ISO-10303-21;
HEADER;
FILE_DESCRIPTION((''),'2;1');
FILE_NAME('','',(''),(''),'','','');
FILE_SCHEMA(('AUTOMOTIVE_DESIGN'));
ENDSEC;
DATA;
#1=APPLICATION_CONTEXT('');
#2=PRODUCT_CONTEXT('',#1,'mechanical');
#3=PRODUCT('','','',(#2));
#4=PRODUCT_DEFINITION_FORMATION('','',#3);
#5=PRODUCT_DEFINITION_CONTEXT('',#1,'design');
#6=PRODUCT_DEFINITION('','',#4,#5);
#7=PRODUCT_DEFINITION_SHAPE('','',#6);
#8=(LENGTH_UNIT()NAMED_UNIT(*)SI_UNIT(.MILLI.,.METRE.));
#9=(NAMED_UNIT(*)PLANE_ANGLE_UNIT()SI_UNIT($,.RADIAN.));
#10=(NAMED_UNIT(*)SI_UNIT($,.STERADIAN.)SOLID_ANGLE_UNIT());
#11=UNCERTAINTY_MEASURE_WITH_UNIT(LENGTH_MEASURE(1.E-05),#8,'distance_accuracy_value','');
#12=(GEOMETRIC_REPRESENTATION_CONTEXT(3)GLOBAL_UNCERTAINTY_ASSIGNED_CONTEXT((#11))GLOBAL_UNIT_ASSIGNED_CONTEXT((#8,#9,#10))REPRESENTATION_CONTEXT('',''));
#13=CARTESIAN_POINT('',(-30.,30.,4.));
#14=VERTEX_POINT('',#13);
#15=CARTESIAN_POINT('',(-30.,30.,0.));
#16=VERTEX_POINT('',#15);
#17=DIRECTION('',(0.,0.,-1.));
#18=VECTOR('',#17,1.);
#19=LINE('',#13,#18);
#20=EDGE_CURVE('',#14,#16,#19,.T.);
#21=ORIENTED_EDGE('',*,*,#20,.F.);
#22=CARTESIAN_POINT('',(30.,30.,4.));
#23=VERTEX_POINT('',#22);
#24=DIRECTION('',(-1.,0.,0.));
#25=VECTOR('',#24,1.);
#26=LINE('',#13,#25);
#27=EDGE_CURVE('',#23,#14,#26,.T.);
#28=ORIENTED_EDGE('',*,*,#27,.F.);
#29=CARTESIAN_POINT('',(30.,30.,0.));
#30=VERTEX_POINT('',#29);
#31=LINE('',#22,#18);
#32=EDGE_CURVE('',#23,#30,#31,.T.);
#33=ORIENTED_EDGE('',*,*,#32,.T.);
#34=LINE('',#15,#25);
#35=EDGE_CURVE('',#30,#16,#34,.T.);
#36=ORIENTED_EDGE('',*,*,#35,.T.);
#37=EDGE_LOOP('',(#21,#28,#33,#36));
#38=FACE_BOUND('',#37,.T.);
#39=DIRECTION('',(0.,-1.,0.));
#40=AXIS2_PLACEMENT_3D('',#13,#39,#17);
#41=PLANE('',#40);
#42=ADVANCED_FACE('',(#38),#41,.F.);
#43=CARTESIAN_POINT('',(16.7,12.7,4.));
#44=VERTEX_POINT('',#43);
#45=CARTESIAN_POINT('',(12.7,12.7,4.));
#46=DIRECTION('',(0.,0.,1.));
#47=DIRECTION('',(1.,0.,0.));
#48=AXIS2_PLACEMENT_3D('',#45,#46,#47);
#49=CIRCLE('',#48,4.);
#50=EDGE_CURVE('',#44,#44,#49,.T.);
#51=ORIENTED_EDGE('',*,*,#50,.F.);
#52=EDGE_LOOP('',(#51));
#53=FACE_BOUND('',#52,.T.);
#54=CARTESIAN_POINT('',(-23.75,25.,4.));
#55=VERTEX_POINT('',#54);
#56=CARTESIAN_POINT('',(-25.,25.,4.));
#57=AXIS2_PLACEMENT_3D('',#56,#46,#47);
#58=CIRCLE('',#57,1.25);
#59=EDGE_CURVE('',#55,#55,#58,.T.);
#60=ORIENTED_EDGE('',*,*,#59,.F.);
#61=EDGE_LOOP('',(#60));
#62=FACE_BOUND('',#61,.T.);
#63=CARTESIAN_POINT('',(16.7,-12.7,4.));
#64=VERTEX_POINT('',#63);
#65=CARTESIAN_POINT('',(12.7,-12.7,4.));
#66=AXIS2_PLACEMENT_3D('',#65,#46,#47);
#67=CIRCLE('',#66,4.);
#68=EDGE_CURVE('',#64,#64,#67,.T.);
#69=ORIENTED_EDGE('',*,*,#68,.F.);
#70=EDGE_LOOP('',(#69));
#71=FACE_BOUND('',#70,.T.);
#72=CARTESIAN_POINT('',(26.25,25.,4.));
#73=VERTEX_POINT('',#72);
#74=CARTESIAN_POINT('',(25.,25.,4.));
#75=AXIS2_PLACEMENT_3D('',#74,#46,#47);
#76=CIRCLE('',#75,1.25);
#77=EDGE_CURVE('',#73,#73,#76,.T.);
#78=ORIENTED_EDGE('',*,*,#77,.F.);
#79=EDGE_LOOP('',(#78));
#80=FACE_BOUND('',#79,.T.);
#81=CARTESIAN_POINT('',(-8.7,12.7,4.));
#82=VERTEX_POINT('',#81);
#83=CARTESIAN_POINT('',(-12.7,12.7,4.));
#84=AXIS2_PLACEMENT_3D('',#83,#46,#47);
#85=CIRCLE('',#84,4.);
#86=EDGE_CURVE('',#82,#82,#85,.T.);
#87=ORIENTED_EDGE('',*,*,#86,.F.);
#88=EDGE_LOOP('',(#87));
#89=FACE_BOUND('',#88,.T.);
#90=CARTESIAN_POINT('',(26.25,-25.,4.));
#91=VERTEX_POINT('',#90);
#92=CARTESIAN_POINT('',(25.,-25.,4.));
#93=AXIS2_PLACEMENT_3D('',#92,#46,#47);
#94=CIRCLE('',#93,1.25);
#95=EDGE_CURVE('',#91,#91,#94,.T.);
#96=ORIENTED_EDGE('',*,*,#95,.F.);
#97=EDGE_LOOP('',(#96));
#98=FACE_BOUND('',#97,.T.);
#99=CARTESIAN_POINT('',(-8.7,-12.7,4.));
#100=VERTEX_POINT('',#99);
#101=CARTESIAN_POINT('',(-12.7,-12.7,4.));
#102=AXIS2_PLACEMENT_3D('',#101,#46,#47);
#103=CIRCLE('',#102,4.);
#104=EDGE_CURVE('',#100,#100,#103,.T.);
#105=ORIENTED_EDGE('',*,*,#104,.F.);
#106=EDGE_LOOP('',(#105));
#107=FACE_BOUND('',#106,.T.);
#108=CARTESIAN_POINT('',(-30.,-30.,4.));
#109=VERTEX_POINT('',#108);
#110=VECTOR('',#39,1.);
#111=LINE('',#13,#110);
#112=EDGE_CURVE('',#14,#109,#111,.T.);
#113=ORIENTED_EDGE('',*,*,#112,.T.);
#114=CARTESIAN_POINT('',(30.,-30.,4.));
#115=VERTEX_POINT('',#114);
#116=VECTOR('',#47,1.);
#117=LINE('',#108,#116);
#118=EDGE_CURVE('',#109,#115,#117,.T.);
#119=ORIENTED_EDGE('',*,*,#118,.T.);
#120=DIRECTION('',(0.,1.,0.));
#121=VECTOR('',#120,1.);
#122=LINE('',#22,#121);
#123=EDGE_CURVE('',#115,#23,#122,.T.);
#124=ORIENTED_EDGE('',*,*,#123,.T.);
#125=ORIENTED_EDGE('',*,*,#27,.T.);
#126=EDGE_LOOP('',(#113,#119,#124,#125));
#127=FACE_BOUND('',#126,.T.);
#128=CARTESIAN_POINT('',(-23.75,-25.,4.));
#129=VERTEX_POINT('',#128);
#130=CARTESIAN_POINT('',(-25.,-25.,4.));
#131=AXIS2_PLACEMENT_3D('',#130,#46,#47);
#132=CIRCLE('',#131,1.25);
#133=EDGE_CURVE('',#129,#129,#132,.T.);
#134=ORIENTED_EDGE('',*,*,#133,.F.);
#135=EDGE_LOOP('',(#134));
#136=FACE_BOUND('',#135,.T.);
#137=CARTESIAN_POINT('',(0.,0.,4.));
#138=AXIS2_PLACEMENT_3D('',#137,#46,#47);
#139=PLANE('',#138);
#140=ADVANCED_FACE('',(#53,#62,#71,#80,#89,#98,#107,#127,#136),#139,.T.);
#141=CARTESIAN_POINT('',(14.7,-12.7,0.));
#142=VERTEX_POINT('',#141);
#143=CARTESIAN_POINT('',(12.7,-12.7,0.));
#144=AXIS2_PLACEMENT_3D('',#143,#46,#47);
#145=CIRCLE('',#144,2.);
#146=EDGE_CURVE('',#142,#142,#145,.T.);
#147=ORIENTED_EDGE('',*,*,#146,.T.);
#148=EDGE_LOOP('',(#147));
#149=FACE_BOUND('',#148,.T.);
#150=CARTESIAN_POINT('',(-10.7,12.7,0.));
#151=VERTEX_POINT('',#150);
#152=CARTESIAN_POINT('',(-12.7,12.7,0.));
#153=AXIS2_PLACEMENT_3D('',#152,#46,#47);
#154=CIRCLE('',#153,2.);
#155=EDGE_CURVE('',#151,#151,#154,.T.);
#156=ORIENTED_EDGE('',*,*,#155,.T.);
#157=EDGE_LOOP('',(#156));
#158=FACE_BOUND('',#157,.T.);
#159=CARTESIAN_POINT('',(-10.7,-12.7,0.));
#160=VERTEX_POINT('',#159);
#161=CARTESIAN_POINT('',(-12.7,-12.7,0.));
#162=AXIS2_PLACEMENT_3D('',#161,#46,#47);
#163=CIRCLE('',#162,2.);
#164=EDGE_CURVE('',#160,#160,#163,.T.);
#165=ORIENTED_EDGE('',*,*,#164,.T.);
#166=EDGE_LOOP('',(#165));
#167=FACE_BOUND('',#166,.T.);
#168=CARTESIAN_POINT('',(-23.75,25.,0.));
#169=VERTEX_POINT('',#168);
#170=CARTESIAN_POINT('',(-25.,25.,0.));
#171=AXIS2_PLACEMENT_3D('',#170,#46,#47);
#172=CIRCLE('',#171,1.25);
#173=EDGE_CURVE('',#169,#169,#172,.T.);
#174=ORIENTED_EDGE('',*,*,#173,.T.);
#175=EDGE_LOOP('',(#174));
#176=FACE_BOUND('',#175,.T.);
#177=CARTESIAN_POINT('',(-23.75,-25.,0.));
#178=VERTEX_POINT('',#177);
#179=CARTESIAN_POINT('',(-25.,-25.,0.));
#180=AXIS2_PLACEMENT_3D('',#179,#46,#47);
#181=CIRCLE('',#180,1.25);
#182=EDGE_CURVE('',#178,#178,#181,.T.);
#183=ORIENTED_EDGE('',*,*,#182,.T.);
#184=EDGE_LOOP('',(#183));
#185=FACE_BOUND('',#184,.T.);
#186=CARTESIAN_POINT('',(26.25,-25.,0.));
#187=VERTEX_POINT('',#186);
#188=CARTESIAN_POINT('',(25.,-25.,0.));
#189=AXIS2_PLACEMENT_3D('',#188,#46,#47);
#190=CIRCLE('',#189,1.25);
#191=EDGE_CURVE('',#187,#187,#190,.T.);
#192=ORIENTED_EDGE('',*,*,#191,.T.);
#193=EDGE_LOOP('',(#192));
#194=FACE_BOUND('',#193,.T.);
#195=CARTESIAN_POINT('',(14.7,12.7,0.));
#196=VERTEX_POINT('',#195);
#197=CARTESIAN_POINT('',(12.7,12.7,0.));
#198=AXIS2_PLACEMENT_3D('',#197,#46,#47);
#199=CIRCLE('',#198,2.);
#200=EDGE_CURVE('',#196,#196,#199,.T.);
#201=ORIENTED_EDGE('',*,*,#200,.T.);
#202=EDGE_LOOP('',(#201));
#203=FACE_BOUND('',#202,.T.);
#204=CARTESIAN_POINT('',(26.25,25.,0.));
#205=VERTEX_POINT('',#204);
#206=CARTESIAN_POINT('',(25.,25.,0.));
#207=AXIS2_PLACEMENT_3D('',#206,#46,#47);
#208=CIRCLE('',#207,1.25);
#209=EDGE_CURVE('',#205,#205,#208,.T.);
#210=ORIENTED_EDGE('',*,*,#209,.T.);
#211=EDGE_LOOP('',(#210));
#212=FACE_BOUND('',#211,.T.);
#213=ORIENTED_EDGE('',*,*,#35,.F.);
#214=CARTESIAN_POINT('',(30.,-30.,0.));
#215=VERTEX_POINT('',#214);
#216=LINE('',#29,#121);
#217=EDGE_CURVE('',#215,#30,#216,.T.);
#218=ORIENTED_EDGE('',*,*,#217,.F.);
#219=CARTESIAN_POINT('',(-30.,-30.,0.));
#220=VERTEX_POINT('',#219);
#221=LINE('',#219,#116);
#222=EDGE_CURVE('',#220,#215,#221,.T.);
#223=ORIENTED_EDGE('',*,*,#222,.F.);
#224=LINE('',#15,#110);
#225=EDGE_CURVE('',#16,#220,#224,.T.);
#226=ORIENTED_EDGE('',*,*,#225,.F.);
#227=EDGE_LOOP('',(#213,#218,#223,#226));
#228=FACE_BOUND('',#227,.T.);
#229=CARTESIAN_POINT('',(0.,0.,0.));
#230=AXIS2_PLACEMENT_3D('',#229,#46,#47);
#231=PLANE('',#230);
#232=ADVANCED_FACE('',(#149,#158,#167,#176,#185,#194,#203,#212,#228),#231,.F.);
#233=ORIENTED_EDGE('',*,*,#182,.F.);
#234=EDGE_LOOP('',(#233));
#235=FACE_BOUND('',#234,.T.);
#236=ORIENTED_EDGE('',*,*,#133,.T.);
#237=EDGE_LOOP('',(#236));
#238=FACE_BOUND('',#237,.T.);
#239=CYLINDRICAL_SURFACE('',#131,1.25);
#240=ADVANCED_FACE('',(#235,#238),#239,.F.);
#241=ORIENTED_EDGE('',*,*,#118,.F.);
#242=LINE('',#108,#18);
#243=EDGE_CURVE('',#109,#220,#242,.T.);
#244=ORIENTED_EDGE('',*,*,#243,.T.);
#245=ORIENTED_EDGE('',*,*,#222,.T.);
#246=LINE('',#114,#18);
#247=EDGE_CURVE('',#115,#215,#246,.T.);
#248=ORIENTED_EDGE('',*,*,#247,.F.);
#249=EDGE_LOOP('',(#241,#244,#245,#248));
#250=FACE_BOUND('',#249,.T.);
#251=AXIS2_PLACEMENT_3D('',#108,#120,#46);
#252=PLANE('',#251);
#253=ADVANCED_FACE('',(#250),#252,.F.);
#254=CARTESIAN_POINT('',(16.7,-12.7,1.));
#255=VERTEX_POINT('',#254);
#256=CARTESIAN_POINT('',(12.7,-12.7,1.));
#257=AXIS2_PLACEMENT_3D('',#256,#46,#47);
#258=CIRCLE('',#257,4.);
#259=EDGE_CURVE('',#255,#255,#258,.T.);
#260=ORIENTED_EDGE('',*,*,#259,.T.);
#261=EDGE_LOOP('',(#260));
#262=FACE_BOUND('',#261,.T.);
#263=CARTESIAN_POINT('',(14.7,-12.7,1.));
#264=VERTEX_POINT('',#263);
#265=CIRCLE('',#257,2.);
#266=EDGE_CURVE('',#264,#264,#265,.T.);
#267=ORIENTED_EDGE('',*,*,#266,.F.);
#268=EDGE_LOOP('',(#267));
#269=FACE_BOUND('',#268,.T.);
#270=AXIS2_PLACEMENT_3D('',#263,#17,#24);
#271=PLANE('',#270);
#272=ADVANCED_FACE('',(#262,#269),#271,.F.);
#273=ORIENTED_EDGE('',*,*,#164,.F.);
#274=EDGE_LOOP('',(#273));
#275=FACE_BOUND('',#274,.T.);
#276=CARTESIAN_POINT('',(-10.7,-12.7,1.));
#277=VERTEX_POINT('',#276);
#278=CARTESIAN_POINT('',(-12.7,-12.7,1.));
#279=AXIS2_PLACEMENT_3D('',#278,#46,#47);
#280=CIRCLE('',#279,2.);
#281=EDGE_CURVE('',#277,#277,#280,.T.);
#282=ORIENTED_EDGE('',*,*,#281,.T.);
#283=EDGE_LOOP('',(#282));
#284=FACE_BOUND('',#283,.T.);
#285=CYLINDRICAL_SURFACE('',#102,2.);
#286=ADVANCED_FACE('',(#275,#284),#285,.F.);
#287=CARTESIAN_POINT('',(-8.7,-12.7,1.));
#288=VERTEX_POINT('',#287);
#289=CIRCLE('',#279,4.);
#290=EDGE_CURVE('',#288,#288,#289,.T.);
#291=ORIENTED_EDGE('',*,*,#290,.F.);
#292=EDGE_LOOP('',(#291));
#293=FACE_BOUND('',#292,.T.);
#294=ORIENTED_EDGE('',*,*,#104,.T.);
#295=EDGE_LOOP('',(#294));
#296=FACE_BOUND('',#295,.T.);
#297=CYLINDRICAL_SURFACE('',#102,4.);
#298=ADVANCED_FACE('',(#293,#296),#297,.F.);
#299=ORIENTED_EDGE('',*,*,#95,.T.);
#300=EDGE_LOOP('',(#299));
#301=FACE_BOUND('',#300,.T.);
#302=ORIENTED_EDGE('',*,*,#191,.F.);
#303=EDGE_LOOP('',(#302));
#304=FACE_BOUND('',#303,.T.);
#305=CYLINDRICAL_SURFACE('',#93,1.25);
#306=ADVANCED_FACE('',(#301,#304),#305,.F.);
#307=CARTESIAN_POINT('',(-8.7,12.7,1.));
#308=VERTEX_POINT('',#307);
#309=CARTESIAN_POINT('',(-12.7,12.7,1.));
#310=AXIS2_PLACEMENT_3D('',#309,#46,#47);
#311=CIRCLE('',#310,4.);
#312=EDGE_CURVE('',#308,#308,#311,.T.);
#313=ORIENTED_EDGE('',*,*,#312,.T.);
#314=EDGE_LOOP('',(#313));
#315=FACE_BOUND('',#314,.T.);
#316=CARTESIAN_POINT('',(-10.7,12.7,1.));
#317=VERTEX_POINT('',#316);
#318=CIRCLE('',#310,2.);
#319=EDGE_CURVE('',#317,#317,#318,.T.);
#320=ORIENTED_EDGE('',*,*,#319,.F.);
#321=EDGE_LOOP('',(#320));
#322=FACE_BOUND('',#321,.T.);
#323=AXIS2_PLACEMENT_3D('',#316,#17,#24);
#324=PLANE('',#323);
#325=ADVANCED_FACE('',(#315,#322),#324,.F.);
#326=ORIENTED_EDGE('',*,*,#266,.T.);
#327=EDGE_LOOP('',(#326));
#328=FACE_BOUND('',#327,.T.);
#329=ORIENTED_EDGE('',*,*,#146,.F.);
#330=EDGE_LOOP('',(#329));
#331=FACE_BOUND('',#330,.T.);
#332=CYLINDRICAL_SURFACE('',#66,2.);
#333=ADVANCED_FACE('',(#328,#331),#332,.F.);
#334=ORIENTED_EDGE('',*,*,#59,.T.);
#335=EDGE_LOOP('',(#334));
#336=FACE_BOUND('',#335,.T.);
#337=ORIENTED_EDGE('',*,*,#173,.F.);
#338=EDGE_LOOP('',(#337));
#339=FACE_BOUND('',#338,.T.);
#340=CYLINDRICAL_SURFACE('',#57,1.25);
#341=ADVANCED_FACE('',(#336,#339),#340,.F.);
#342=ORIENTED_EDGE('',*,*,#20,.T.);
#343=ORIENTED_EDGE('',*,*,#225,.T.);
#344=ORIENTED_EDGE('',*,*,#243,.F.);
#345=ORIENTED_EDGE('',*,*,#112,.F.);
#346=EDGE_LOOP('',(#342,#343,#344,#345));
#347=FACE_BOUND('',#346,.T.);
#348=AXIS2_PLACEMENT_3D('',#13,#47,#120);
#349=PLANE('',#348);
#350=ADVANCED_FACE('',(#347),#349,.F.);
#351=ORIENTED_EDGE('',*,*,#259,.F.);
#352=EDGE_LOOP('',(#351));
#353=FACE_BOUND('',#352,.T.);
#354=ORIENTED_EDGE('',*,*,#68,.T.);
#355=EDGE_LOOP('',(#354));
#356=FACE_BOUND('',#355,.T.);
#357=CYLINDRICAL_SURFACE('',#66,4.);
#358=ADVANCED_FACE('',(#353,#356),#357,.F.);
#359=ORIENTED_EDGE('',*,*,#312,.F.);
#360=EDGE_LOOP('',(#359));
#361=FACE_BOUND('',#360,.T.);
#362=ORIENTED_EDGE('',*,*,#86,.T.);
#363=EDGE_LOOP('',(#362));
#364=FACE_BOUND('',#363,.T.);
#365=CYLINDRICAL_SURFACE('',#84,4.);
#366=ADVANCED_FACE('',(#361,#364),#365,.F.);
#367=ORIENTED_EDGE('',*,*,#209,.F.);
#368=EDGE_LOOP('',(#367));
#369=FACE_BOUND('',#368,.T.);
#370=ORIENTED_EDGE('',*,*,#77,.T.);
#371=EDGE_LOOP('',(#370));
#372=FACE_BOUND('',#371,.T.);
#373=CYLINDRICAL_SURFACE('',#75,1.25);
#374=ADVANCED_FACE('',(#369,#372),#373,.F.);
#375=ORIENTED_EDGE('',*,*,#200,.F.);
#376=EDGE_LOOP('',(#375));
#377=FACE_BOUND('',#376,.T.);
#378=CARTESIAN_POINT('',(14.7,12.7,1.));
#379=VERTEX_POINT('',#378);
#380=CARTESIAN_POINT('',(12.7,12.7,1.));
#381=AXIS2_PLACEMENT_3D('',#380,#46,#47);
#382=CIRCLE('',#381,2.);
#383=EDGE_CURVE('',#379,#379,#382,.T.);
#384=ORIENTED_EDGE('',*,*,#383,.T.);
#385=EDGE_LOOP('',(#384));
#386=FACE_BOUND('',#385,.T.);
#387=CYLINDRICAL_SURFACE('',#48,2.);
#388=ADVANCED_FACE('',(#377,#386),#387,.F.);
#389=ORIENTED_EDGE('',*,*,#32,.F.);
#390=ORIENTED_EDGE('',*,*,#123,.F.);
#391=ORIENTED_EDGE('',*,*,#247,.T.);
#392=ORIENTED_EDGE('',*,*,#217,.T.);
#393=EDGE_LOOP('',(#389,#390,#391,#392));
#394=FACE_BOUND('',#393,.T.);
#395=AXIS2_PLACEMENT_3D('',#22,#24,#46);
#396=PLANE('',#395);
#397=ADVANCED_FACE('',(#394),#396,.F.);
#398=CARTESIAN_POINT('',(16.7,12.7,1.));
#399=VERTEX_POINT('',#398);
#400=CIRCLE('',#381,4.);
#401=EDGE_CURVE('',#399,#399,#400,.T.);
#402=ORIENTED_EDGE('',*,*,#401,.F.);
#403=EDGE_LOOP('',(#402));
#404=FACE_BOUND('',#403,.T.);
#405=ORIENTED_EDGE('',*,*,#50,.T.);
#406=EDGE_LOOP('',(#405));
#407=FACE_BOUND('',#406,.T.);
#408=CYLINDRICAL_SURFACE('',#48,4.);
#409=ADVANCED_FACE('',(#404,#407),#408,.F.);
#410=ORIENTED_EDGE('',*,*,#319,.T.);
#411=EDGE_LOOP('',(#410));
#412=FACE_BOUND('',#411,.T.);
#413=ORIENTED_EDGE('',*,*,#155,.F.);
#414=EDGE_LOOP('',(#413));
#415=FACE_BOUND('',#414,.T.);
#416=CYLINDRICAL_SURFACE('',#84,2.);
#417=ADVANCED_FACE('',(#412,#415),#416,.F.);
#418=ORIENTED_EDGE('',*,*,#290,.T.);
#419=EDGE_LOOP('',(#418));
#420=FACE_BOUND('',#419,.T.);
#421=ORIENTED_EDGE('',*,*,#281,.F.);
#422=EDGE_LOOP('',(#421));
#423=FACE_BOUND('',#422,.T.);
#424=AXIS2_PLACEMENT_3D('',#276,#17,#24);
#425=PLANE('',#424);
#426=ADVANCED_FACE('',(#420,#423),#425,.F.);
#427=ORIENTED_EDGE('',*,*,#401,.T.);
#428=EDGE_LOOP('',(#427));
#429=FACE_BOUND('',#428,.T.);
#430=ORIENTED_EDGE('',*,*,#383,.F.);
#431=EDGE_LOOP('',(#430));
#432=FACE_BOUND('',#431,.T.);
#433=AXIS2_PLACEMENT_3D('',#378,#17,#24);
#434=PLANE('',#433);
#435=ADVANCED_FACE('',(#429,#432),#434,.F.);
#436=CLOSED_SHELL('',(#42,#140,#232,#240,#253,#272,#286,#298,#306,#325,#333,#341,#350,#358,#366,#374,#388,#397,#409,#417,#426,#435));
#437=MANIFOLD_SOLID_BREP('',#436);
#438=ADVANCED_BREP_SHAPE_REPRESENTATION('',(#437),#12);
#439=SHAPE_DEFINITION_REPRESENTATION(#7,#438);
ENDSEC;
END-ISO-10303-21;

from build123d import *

# Parameters (mm, degrees)
SKETCH_1_W                = 60
SKETCH_1_H                = 60
EXTRUDE_1_DEPTH           = 4
HOLE_WIZARD_M3_1_D        = 2.5
HOLE_WIZARD_1_D           = 4
HOLE_WIZARD_1_CBORE_D     = 8
HOLE_WIZARD_1_CBORE_DEPTH = 3


with BuildPart() as part:
    # 草图1 → 凸台-拉伸1 (new body)
    with BuildSketch(Plane.XY):
        Rectangle(SKETCH_1_W, SKETCH_1_H)
    extrude(amount=EXTRUDE_1_DEPTH)

    # M3 螺纹孔1 (through all)
    with Locations(Plane(origin=(-25, 25, 4), x_dir=(1, 0, 0), z_dir=(0, 0, 1))):
        with Locations((0, 0), (50, 0), (50, -50), (0, -50)):
            Hole(HOLE_WIZARD_M3_1_D / 2)

    # 孔1 (through all)
    with Locations(Plane(origin=(-12.7, 12.7, 4), x_dir=(1, 0, 0), z_dir=(0, 0, 1))):
        with Locations((0, 0), (25.4, 0), (25.4, -25.4), (0, -25.4)):
            CounterBoreHole(HOLE_WIZARD_1_D / 2, HOLE_WIZARD_1_CBORE_D / 2, HOLE_WIZARD_1_CBORE_DEPTH)


solid = part.part
